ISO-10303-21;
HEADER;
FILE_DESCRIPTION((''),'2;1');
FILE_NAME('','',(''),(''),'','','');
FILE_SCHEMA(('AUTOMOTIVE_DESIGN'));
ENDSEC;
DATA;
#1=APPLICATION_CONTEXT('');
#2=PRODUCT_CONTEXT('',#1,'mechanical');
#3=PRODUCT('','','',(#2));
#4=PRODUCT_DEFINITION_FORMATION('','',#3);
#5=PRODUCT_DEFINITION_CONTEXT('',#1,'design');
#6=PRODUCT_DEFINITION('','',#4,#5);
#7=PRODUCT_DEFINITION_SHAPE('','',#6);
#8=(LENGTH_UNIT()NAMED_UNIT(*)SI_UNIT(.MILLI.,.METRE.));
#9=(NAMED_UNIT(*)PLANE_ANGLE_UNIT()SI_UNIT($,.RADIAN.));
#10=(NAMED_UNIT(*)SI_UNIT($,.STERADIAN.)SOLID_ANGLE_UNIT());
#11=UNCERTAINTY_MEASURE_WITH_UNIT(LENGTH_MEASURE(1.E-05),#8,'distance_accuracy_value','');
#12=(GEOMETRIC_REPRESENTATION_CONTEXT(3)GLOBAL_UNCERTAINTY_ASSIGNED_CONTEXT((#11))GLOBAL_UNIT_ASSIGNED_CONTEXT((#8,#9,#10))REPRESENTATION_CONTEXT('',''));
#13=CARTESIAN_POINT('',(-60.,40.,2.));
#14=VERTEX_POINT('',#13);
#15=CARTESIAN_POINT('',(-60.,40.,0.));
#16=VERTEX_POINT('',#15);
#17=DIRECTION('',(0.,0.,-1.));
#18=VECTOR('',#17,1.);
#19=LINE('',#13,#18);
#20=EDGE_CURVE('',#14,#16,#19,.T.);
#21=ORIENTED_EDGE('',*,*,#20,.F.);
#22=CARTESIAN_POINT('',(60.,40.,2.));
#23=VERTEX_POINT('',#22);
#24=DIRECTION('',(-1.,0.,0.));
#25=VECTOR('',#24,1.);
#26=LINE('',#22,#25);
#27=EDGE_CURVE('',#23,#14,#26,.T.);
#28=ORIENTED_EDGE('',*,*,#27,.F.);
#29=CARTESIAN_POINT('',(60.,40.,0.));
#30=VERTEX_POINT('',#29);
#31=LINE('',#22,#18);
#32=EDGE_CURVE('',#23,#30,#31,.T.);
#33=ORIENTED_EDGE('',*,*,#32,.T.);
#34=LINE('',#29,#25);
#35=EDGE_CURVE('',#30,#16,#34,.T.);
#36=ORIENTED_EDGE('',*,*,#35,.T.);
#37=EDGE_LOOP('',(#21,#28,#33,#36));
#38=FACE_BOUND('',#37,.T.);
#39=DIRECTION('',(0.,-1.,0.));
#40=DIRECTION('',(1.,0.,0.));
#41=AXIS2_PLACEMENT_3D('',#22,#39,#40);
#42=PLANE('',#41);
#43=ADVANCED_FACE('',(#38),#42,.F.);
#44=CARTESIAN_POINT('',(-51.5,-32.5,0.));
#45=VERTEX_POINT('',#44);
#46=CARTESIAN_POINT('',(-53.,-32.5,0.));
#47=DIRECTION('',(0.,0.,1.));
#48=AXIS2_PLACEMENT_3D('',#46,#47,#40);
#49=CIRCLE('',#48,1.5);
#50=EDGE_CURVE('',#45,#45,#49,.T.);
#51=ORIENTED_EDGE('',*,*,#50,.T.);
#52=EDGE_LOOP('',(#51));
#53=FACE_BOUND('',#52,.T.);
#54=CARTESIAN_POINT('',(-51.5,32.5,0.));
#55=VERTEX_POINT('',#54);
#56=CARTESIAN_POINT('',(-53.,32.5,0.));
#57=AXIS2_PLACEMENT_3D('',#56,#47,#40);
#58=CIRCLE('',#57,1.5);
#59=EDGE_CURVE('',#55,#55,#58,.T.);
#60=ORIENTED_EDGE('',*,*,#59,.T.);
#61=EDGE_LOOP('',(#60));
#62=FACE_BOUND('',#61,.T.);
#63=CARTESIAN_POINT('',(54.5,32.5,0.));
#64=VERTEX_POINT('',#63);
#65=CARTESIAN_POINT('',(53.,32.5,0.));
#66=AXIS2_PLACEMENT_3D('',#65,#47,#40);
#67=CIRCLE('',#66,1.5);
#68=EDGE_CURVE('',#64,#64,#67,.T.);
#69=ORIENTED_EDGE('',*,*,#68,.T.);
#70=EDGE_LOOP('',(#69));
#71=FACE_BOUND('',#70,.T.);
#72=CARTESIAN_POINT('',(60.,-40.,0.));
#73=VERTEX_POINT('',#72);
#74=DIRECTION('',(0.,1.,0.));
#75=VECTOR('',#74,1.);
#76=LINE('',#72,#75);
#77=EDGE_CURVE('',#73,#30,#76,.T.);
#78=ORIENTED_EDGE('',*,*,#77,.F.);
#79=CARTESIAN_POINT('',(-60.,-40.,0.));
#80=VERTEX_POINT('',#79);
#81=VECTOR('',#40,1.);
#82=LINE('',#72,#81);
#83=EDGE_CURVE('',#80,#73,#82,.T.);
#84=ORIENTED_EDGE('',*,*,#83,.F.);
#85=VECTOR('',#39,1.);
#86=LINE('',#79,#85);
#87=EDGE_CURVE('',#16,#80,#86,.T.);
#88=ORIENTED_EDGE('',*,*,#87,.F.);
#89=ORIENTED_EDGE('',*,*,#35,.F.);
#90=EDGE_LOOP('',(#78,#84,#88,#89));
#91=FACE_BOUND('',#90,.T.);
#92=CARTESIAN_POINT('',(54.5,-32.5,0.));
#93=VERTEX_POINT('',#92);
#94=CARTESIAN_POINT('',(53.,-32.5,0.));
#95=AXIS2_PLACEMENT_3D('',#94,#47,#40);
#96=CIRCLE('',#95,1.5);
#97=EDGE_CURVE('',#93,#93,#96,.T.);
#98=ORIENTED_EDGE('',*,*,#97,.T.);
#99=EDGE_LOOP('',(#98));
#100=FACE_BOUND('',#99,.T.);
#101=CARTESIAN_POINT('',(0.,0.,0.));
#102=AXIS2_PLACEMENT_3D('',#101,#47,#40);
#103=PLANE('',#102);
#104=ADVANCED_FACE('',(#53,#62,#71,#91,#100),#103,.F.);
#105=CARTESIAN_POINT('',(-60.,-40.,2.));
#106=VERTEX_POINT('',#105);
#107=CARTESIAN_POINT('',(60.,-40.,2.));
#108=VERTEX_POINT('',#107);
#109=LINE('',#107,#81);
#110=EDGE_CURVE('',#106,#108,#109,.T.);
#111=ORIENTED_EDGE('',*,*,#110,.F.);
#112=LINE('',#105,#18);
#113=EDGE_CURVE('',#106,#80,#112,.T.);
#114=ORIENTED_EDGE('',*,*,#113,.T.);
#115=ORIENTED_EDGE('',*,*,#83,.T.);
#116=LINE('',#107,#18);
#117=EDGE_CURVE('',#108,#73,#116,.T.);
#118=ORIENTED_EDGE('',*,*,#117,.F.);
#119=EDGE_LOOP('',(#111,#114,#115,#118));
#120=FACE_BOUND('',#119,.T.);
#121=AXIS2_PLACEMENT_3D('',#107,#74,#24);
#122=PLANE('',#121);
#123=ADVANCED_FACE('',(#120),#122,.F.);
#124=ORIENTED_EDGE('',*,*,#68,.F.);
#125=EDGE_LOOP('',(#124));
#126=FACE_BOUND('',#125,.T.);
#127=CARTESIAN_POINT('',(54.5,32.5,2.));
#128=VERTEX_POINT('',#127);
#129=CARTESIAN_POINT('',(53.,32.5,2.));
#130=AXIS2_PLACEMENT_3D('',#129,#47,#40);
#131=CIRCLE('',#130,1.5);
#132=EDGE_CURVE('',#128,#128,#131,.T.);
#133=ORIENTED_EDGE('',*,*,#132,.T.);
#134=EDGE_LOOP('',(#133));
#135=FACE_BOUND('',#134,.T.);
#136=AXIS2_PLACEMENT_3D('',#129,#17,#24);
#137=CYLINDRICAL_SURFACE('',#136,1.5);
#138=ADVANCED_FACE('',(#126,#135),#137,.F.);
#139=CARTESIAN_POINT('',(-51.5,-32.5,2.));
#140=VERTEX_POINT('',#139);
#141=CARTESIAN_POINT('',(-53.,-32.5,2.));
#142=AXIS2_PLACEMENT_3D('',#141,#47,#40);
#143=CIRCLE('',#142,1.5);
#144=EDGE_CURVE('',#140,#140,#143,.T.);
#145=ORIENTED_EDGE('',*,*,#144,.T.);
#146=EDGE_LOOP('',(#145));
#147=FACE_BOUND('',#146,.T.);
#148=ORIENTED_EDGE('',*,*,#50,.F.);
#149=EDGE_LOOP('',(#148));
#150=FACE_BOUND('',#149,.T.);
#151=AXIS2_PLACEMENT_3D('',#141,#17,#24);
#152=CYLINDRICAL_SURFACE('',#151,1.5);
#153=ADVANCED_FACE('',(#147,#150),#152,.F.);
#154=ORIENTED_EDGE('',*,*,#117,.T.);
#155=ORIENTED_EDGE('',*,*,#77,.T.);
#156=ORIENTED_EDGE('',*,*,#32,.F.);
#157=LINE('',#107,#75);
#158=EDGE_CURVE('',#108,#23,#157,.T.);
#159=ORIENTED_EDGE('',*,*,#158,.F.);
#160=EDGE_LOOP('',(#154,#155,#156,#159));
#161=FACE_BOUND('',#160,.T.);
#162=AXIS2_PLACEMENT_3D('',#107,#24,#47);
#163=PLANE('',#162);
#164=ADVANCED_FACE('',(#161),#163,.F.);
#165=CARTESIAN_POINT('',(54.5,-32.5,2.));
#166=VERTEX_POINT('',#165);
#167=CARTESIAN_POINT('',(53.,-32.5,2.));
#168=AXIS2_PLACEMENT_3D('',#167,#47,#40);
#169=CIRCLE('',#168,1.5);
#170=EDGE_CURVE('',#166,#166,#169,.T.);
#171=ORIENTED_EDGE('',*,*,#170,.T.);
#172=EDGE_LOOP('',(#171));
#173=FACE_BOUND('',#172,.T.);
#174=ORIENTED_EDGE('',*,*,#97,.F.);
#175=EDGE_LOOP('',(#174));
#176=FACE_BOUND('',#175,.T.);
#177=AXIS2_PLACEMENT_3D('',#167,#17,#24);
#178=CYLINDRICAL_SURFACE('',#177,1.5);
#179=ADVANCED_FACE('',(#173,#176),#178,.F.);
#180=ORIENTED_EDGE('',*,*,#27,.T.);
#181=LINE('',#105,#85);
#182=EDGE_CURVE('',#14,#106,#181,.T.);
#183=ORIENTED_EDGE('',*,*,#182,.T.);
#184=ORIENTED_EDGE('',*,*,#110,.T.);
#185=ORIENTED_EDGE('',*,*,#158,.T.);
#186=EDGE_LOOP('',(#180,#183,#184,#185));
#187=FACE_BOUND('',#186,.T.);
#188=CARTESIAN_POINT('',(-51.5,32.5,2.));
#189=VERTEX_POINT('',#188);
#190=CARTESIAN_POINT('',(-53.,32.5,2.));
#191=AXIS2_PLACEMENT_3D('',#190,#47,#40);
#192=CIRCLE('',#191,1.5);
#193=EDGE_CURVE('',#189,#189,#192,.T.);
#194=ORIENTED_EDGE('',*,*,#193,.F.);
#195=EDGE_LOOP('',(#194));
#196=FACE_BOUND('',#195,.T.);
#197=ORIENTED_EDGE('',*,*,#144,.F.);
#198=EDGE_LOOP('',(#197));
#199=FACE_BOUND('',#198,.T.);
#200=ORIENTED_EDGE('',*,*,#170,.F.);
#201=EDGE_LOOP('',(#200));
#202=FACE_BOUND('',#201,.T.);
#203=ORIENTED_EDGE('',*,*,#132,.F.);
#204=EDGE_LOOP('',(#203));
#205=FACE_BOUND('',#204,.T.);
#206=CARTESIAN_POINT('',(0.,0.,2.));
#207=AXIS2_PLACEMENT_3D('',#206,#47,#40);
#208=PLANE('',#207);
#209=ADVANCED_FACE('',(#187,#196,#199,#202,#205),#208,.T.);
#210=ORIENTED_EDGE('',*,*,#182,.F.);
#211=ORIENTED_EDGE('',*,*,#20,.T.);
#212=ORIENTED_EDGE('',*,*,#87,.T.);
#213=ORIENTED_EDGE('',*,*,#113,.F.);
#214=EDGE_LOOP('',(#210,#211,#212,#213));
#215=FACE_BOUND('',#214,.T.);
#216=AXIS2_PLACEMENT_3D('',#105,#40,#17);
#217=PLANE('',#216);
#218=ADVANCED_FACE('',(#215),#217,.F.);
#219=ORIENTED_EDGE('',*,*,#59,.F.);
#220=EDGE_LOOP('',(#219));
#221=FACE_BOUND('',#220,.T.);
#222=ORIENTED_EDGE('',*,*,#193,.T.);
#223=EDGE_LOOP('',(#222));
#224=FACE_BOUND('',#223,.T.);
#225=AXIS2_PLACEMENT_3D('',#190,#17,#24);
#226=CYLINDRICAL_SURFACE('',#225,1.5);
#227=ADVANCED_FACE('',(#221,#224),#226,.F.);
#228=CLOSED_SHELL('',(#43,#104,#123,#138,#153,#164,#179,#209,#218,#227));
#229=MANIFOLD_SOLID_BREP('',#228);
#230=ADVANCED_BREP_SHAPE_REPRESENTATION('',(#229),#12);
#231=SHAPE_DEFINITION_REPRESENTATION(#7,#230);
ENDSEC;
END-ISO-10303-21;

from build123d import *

# Parameters (mm, degrees)
ESQUISSE1_W        = 120
ESQUISSE1_H        = 80
ESQUISSE1_R        = 1.5
BOSS_EXTRU_1_DEPTH = 2


with BuildPart() as part:
    # Esquisse1 → Boss.-Extru.1 (new body)
    with BuildSketch(Plane.XY):
        Rectangle(ESQUISSE1_W, ESQUISSE1_H)
        with Locations((-53, 32.5)):
            Circle(ESQUISSE1_R, mode=Mode.SUBTRACT)
        with Locations((53, 32.5)):
            Circle(ESQUISSE1_R, mode=Mode.SUBTRACT)
        with Locations((53, -32.5)):
            Circle(ESQUISSE1_R, mode=Mode.SUBTRACT)
        with Locations((-53, -32.5)):
            Circle(ESQUISSE1_R, mode=Mode.SUBTRACT)
    extrude(amount=BOSS_EXTRU_1_DEPTH)


solid = part.part
